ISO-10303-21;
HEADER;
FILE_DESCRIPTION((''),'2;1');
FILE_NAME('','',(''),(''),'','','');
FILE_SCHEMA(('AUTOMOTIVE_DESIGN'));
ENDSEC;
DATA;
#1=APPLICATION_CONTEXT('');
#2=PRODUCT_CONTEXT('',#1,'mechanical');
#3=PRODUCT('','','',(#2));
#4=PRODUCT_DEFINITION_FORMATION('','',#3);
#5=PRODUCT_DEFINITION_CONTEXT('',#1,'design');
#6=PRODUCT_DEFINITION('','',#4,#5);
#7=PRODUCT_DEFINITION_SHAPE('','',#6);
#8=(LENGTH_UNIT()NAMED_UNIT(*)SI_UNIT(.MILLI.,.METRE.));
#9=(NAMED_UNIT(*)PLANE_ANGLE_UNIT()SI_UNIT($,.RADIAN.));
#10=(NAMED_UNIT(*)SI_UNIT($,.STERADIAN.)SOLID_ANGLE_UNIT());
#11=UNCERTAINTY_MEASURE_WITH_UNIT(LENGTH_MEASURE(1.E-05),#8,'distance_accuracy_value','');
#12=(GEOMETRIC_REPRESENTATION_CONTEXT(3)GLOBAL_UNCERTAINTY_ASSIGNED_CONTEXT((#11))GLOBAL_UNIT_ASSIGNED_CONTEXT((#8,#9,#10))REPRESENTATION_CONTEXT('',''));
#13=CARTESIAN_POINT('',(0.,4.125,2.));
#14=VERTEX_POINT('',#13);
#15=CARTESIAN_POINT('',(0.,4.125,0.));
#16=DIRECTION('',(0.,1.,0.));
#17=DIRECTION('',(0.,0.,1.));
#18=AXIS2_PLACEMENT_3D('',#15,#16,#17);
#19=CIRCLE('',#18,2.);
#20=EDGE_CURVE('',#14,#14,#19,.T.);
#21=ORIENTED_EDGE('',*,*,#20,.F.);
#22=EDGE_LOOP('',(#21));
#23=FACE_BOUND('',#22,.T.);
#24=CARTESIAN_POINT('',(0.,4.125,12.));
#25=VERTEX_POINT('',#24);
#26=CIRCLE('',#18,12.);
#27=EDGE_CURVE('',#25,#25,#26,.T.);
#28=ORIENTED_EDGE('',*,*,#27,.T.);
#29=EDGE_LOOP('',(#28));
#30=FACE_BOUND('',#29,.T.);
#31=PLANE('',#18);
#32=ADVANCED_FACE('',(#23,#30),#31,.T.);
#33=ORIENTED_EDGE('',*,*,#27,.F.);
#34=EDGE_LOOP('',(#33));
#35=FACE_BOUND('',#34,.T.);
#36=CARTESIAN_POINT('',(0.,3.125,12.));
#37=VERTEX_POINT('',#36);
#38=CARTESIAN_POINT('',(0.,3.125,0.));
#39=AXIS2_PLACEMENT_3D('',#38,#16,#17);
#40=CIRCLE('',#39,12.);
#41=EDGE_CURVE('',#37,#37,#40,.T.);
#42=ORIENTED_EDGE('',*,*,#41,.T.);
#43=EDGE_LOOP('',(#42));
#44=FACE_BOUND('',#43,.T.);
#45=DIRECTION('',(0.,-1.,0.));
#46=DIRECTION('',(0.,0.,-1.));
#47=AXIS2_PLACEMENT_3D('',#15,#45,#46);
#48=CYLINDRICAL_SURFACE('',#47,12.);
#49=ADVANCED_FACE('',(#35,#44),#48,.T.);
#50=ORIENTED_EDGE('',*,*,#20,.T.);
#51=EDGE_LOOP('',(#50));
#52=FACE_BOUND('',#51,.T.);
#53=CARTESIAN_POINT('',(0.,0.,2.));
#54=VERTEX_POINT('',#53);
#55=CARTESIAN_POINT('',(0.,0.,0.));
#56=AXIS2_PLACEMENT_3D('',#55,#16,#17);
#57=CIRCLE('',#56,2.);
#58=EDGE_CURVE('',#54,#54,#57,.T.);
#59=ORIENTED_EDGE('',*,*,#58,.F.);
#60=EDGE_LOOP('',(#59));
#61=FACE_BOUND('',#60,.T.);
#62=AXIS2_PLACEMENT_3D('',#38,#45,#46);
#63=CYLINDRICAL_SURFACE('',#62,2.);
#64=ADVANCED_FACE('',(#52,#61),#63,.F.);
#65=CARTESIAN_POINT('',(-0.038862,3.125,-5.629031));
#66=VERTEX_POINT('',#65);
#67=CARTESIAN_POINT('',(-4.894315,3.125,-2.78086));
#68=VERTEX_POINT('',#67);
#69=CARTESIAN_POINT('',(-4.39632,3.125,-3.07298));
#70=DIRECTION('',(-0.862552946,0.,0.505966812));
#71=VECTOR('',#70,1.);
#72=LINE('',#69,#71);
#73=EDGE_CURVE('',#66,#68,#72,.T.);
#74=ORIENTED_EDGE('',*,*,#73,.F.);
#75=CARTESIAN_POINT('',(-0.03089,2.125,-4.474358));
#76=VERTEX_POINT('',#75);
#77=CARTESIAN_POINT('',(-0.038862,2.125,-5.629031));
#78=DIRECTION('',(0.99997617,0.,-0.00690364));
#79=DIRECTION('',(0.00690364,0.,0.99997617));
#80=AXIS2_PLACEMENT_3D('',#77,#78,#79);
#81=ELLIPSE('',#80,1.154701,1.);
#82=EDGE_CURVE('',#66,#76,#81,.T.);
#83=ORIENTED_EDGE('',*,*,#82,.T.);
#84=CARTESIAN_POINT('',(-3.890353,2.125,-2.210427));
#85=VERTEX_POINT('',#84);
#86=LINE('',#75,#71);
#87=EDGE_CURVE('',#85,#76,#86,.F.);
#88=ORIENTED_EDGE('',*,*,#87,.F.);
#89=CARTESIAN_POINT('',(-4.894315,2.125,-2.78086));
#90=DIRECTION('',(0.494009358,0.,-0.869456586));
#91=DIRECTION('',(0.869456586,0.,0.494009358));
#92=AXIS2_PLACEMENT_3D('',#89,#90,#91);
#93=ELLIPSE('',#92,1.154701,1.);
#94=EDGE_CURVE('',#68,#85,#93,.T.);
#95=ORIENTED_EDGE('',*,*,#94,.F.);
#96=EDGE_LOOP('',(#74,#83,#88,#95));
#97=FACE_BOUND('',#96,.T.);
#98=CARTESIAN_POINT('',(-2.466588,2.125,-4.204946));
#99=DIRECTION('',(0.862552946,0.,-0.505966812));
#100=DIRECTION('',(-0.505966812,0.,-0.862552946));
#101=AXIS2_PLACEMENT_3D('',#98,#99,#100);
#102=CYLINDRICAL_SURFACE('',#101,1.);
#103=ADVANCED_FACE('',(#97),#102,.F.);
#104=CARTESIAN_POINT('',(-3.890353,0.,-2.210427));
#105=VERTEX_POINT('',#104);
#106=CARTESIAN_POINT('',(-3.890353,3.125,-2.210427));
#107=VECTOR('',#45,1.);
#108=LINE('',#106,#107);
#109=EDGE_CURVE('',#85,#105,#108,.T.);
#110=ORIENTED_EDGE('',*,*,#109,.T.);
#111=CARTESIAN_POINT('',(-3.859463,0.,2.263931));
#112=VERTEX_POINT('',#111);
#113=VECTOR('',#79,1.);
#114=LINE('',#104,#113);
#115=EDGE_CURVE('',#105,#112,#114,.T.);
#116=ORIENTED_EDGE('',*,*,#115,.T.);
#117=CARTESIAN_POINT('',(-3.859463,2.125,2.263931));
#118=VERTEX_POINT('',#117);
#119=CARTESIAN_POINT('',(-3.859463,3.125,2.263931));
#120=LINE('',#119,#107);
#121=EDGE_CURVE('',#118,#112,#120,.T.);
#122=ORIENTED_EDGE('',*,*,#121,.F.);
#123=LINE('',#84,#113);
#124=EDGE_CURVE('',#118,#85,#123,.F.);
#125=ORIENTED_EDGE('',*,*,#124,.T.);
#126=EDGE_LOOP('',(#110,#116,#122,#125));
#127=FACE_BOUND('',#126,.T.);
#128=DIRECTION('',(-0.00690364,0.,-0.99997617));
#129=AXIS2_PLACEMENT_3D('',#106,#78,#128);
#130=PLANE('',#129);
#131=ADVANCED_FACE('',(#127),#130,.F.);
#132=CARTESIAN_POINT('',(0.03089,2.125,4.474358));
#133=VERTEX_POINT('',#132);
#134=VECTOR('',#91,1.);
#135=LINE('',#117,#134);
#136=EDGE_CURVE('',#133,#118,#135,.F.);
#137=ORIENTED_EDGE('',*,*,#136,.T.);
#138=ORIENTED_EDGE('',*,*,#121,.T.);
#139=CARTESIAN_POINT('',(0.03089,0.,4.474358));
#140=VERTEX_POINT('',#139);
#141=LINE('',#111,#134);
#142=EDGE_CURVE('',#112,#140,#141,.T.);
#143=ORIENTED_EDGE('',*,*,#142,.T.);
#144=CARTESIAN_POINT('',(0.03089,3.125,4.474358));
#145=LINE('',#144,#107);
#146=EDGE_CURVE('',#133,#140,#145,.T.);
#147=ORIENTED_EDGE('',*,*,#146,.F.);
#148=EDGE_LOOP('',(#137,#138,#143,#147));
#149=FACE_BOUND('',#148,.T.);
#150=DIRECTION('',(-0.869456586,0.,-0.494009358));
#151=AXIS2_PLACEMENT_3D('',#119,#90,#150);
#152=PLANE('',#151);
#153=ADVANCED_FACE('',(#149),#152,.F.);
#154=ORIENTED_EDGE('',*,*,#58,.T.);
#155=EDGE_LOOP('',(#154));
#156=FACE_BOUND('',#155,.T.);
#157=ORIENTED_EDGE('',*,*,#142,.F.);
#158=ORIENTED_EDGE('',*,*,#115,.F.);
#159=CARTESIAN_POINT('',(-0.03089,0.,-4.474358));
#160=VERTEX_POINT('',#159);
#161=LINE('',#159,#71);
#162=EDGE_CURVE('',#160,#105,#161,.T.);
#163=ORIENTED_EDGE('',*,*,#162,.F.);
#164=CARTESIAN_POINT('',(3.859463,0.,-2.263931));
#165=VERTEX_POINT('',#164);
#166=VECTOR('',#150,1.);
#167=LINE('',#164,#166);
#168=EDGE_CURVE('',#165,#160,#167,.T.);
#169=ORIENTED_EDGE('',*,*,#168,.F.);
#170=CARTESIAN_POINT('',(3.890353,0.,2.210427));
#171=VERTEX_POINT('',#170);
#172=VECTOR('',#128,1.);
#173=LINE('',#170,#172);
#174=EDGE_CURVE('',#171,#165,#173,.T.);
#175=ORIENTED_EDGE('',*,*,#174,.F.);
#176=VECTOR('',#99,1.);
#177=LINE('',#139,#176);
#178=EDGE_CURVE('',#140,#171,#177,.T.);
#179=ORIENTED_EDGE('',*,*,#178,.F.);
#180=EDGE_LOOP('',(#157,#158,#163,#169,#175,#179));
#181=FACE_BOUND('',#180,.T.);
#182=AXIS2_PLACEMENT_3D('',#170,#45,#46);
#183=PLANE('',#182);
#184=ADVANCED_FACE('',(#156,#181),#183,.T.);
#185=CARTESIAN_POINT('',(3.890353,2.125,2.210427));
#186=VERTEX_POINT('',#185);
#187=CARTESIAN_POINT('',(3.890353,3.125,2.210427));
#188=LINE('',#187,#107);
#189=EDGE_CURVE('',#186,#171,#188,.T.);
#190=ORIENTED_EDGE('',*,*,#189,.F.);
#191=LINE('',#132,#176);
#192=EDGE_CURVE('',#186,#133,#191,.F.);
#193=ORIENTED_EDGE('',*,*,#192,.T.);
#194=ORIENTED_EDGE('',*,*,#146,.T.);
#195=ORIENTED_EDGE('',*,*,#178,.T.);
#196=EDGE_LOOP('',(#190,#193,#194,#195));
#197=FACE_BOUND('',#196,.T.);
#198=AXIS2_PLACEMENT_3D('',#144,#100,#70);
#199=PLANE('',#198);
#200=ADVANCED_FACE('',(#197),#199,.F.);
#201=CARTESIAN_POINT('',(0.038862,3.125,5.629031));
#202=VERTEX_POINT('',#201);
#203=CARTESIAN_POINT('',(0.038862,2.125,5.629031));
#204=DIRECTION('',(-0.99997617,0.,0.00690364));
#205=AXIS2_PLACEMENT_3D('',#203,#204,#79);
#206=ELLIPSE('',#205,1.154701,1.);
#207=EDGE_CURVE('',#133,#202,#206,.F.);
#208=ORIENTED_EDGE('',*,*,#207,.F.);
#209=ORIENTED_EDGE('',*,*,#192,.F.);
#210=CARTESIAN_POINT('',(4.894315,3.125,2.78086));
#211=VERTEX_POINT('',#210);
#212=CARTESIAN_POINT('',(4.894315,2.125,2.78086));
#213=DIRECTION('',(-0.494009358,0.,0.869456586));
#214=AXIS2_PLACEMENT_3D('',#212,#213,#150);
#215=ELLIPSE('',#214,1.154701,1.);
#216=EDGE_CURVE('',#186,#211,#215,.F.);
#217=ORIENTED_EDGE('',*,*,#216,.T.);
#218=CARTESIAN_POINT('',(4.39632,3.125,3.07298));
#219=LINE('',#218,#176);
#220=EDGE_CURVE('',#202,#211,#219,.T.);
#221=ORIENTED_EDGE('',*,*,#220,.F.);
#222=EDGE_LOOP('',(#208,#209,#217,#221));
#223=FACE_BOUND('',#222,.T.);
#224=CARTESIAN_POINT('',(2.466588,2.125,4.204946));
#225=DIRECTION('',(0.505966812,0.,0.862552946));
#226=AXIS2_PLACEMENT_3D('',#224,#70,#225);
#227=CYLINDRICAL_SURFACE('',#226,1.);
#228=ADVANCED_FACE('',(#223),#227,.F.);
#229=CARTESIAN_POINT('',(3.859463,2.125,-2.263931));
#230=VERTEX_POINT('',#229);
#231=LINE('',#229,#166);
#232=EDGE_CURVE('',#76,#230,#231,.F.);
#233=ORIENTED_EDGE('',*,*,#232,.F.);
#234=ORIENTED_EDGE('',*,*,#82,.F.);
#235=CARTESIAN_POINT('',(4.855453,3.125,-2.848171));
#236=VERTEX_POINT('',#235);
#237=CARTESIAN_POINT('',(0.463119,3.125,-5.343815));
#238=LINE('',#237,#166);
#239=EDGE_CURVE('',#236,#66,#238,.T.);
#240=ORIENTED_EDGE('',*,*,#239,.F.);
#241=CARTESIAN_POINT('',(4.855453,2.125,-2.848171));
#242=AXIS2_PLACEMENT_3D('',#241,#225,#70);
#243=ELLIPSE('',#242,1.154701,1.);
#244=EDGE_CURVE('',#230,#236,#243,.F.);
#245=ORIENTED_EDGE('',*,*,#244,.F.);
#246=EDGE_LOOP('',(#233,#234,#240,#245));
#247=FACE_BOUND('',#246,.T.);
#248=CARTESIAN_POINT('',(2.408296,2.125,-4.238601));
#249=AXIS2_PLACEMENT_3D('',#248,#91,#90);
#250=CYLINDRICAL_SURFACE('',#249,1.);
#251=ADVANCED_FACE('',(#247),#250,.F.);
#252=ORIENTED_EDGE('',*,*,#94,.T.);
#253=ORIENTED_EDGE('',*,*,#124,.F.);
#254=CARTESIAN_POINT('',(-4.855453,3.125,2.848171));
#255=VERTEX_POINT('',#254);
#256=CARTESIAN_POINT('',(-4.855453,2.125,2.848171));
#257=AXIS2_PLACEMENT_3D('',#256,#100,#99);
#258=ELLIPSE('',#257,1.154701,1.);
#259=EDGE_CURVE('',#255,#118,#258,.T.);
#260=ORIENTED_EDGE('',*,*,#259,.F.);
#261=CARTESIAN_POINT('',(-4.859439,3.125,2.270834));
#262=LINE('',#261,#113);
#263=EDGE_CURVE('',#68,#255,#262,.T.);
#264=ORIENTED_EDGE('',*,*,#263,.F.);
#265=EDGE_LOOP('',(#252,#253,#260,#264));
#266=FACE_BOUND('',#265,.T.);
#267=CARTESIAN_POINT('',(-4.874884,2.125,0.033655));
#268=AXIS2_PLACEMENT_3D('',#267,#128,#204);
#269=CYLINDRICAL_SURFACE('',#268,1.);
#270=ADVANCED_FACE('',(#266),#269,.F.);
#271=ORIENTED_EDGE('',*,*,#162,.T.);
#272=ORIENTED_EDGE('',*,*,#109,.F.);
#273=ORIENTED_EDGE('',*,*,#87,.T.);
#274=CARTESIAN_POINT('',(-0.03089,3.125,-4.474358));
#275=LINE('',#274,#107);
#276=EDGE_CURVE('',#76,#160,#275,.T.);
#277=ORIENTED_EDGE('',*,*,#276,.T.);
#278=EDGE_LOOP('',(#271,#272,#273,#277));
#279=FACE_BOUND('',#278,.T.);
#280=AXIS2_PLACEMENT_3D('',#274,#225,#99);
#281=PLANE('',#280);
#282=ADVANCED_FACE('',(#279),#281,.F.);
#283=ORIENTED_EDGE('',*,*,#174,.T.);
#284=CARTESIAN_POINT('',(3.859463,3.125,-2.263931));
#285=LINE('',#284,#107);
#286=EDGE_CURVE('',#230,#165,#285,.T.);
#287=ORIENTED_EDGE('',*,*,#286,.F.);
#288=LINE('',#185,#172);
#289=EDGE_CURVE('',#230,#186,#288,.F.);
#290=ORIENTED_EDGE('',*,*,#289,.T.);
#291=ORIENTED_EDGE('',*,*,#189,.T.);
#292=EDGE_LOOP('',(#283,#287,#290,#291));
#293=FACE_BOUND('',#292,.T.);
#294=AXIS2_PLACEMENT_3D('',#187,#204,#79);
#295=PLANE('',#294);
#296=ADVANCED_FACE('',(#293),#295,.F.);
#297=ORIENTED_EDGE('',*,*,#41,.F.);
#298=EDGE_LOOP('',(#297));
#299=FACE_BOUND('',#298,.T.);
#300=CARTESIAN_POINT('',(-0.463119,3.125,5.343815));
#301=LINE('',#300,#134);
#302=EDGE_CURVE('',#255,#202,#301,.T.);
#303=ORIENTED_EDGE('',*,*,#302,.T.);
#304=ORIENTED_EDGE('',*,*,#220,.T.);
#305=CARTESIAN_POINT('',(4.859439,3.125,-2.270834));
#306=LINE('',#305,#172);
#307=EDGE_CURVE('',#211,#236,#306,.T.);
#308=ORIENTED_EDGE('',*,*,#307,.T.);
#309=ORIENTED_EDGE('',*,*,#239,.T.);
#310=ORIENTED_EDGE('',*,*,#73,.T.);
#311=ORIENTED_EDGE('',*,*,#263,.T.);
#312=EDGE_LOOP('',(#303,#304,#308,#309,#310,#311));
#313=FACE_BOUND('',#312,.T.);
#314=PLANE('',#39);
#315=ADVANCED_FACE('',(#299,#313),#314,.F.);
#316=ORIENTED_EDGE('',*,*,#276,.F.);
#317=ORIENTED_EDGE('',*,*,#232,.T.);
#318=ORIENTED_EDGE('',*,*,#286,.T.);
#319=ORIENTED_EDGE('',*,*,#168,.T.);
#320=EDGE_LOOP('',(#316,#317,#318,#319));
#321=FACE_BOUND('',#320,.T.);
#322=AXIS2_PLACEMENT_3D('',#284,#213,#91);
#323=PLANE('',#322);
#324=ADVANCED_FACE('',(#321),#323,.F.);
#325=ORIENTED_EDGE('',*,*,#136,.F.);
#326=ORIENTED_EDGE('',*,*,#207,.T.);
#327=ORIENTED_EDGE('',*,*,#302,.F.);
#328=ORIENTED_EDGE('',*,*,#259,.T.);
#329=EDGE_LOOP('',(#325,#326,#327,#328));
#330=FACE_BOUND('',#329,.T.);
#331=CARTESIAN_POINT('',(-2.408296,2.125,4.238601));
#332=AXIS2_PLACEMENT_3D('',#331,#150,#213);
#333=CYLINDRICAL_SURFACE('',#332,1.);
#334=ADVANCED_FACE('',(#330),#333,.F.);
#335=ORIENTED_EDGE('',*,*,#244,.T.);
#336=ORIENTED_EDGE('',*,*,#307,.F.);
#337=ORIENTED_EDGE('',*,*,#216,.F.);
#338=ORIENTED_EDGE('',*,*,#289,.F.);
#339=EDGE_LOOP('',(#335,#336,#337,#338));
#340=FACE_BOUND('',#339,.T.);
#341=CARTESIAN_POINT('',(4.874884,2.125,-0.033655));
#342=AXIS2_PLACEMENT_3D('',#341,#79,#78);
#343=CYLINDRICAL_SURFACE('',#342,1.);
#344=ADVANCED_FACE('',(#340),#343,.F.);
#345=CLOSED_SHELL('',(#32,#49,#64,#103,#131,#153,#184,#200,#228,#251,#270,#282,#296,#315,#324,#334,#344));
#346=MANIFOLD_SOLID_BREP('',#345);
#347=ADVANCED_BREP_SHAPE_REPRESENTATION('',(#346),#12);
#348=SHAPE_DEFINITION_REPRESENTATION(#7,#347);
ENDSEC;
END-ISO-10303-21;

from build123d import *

# Parameters (mm, degrees)
SKETCH1_R                = 2
EXTRUDE1_DEPTH           = 3.125
ESBO_O1_R                = 12
ESBO_O1_R_2              = 2
RESSALTO_EXTRUS_O1_DEPTH = 1
FILETE1_R                = 1


with BuildPart() as part:
    # Sketch1 → Extrude1 (new body)
    with BuildSketch(Plane(origin=(0, 0, 0), x_dir=(1, 0, 0), z_dir=(0, 1, 0))):
        Polygon((3.859462612, 2.263930582), (-0.030890091, 4.474357958), (-3.890352703, 2.210427376), (-3.859462612, -2.263930582), (0.030890091, -4.474357958), (3.890352703, -2.210427376), align=None)
        with Locations(Location((0, 0, 0), (0, 0, 270))):  # turned: the seam where the file's is
            Circle(SKETCH1_R, mode=Mode.SUBTRACT)
    extrude(amount=EXTRUDE1_DEPTH)

    # Esboço1 → Ressalto-extrusão1 (add)
    with BuildSketch(Plane(origin=(0, 3.125, 0), x_dir=(1, 0, 0), z_dir=(0, 1, 0))):
        with Locations(Location((0, 0, 0), (0, 0, 270))):  # turned: the seam where the file's is
            Circle(ESBO_O1_R)
        with Locations(Location((0, 0, 0), (0, 0, 270))):  # turned: the seam where the file's is
            Circle(ESBO_O1_R_2, mode=Mode.SUBTRACT)
    extrude(amount=RESSALTO_EXTRUS_O1_DEPTH)

    # Filete1
    filete1_edges = [part.edges().sort_by_distance(p)[0] for p in [
        (-1.960621397, 3.125, -3.342392667),
        (-3.874907657, 3.125, 0.026751603),
        (-1.91428626, 3.125, 3.36914427),
        (1.960621397, 3.125, 3.342392667),
        (3.874907657, 3.125, -0.026751603),
        (1.91428626, 3.125, -3.36914427),
    ]]
    fillet(filete1_edges, radius=FILETE1_R)


solid = part.part
